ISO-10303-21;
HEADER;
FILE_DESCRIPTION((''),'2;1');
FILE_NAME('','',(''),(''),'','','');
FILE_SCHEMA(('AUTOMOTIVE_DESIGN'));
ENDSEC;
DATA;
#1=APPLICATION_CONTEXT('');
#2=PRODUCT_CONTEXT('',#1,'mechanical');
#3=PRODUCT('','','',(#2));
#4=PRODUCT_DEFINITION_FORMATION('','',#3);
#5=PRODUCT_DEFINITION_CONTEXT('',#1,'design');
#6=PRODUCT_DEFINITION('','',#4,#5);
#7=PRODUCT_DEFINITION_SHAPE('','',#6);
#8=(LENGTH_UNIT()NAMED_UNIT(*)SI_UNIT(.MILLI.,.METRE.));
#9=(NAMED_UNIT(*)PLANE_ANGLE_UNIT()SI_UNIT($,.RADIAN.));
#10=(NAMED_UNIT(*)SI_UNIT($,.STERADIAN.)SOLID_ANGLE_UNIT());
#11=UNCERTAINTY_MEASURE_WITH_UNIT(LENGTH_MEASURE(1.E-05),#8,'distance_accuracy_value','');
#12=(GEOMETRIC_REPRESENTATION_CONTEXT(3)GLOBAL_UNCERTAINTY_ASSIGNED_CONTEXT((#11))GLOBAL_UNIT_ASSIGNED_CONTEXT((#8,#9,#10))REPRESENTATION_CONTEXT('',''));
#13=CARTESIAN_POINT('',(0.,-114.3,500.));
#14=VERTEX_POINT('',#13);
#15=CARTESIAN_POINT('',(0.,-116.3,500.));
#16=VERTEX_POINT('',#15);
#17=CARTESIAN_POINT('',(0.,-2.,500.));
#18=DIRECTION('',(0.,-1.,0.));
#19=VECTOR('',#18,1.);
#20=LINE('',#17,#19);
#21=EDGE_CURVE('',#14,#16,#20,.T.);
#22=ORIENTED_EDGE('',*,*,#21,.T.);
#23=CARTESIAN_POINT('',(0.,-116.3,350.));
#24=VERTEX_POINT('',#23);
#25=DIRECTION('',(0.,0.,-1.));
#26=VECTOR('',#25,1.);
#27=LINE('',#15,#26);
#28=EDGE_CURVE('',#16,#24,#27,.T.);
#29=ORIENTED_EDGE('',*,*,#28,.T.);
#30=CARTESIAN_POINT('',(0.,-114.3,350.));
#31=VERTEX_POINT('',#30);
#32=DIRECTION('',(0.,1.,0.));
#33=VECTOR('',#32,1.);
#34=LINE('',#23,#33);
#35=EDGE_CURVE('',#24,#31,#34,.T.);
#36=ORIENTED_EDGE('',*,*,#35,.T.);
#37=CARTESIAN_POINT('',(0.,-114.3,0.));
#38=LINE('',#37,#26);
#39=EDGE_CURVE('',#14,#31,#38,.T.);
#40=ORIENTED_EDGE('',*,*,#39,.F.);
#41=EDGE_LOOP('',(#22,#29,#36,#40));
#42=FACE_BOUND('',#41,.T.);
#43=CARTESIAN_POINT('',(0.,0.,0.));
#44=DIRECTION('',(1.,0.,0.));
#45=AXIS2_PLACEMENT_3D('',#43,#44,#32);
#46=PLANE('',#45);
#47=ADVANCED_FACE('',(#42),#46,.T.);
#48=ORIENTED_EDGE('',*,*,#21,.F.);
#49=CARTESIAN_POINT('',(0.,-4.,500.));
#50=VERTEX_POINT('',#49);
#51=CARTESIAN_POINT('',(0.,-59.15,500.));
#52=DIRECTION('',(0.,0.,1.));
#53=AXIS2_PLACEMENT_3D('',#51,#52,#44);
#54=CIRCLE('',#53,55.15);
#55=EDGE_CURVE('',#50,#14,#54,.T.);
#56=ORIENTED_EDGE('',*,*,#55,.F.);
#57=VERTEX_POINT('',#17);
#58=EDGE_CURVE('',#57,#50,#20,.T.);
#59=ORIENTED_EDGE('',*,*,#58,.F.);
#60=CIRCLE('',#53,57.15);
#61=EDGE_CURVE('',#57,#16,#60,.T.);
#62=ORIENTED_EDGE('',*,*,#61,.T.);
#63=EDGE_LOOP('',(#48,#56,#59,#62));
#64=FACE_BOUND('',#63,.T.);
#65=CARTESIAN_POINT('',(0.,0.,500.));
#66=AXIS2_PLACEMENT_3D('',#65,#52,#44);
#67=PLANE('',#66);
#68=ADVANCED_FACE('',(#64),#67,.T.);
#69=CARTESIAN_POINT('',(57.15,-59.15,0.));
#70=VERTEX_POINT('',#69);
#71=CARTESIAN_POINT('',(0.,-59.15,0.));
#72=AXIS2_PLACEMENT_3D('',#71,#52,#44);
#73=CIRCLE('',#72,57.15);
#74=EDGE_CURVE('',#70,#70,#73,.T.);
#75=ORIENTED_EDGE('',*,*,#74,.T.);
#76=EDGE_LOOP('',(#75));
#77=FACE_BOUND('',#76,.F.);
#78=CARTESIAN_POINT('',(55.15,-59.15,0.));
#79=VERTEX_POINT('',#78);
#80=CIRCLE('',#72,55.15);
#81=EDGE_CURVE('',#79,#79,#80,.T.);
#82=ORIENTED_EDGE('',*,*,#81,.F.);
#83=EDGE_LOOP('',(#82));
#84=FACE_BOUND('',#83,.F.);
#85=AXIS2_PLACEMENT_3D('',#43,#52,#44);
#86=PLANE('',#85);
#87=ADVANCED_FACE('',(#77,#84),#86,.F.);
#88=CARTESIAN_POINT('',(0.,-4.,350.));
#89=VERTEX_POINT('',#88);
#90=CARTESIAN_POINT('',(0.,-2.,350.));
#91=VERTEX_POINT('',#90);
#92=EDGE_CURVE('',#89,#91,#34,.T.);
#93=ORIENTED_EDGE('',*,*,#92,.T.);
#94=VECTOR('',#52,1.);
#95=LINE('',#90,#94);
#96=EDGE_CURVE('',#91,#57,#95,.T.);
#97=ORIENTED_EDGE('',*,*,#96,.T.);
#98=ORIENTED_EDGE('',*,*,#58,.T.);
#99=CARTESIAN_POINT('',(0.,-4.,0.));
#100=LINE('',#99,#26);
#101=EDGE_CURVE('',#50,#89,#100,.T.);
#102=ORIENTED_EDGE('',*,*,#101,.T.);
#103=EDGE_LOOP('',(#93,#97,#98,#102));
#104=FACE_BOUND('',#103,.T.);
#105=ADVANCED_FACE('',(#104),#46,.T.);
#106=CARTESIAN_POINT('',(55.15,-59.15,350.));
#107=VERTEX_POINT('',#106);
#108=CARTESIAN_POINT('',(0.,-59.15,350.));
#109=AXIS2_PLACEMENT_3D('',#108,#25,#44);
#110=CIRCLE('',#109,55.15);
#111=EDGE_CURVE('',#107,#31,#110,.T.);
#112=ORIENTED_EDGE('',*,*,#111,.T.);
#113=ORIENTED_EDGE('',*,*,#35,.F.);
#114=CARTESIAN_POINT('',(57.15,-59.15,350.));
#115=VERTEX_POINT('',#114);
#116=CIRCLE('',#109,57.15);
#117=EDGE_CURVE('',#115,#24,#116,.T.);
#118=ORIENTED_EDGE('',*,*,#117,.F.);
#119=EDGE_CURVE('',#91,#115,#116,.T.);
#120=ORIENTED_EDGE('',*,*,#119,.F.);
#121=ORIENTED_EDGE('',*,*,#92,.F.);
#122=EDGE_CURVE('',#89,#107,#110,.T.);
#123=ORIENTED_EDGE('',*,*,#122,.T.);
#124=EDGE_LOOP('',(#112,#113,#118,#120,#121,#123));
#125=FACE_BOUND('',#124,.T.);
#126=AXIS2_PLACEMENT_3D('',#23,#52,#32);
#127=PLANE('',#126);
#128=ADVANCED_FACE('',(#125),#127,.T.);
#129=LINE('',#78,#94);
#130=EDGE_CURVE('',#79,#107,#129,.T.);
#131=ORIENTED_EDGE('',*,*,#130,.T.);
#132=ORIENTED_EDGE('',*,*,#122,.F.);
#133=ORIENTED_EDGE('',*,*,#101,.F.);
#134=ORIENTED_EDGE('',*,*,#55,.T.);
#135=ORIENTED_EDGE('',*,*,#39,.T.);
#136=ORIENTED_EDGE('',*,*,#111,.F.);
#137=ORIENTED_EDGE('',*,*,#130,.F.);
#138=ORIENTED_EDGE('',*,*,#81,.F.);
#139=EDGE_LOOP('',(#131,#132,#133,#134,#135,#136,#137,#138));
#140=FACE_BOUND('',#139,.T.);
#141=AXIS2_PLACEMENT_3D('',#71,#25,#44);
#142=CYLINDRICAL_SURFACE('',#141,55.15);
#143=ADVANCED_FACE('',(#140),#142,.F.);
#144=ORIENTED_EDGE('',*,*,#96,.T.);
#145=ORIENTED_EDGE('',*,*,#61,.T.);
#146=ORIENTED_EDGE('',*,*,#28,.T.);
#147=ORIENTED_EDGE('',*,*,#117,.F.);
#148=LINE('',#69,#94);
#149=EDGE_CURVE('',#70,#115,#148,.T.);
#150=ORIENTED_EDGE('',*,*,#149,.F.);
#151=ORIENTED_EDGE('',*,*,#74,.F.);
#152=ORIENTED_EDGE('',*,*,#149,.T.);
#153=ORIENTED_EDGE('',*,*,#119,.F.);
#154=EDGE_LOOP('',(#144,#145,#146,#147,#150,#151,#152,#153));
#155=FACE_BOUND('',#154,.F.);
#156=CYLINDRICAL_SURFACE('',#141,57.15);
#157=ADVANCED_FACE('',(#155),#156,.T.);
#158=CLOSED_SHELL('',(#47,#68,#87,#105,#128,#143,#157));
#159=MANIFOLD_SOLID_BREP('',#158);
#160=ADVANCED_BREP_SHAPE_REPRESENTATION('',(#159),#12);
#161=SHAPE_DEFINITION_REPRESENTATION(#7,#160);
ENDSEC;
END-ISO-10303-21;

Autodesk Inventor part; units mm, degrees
ref_plane "YZ Plane" through (0, 0, 0) normal (1, 0, 0) x (0, 1, 0)
ref_plane "XZ Plane" through (0, 0, 0) normal (0, 1, 0) x (-1, 0, 0)
ref_plane "XY Plane" through (0, 0, 0) normal (0, 0, 1) x (1, 0, 0)
sketch "Sketch1" plane through (0, 0, 0) normal (0, 0, 1) x (1, 0, 0)
  circle A0 centre (0, -59.15) radius 57.15 projected
  circle A1 centre (0, -59.15) radius 59.15 projected
  circle A2 centre (0, -59.15) radius 55.15
  point P0 (0, 0)
  dimension "d0" = 110.3
extrude "Extrusion1" add sketch "Sketch1" along normal blind 500 contours A0
sketch "Sketch2" plane through (0, 0, 0) normal (1, 0, 0) x (0, 1, 0)
  line L0 (-2, 500) -> (-116.3, 500) projected
  line L1 (-2, 0) -> (-116.3, 0) projected
  line L2 (-2, 500) -> (-116.3, 500) projected
  line L3 (-2, 500) -> (-116.3, 500)
  line L4 (-116.3, 500) -> (-116.3, 350)
  line L5 (-116.3, 350) -> (-2, 350)
  line L6 (-2, 350) -> (-2, 500)
  point P0 (0, 0)
  dimension "d3" = 114.3
  dimension "d4" = 150
extrude "Extrusion2" cut sketch "Sketch2" along normal blind 500
properties part number "4.5 inch diameter pipe"
